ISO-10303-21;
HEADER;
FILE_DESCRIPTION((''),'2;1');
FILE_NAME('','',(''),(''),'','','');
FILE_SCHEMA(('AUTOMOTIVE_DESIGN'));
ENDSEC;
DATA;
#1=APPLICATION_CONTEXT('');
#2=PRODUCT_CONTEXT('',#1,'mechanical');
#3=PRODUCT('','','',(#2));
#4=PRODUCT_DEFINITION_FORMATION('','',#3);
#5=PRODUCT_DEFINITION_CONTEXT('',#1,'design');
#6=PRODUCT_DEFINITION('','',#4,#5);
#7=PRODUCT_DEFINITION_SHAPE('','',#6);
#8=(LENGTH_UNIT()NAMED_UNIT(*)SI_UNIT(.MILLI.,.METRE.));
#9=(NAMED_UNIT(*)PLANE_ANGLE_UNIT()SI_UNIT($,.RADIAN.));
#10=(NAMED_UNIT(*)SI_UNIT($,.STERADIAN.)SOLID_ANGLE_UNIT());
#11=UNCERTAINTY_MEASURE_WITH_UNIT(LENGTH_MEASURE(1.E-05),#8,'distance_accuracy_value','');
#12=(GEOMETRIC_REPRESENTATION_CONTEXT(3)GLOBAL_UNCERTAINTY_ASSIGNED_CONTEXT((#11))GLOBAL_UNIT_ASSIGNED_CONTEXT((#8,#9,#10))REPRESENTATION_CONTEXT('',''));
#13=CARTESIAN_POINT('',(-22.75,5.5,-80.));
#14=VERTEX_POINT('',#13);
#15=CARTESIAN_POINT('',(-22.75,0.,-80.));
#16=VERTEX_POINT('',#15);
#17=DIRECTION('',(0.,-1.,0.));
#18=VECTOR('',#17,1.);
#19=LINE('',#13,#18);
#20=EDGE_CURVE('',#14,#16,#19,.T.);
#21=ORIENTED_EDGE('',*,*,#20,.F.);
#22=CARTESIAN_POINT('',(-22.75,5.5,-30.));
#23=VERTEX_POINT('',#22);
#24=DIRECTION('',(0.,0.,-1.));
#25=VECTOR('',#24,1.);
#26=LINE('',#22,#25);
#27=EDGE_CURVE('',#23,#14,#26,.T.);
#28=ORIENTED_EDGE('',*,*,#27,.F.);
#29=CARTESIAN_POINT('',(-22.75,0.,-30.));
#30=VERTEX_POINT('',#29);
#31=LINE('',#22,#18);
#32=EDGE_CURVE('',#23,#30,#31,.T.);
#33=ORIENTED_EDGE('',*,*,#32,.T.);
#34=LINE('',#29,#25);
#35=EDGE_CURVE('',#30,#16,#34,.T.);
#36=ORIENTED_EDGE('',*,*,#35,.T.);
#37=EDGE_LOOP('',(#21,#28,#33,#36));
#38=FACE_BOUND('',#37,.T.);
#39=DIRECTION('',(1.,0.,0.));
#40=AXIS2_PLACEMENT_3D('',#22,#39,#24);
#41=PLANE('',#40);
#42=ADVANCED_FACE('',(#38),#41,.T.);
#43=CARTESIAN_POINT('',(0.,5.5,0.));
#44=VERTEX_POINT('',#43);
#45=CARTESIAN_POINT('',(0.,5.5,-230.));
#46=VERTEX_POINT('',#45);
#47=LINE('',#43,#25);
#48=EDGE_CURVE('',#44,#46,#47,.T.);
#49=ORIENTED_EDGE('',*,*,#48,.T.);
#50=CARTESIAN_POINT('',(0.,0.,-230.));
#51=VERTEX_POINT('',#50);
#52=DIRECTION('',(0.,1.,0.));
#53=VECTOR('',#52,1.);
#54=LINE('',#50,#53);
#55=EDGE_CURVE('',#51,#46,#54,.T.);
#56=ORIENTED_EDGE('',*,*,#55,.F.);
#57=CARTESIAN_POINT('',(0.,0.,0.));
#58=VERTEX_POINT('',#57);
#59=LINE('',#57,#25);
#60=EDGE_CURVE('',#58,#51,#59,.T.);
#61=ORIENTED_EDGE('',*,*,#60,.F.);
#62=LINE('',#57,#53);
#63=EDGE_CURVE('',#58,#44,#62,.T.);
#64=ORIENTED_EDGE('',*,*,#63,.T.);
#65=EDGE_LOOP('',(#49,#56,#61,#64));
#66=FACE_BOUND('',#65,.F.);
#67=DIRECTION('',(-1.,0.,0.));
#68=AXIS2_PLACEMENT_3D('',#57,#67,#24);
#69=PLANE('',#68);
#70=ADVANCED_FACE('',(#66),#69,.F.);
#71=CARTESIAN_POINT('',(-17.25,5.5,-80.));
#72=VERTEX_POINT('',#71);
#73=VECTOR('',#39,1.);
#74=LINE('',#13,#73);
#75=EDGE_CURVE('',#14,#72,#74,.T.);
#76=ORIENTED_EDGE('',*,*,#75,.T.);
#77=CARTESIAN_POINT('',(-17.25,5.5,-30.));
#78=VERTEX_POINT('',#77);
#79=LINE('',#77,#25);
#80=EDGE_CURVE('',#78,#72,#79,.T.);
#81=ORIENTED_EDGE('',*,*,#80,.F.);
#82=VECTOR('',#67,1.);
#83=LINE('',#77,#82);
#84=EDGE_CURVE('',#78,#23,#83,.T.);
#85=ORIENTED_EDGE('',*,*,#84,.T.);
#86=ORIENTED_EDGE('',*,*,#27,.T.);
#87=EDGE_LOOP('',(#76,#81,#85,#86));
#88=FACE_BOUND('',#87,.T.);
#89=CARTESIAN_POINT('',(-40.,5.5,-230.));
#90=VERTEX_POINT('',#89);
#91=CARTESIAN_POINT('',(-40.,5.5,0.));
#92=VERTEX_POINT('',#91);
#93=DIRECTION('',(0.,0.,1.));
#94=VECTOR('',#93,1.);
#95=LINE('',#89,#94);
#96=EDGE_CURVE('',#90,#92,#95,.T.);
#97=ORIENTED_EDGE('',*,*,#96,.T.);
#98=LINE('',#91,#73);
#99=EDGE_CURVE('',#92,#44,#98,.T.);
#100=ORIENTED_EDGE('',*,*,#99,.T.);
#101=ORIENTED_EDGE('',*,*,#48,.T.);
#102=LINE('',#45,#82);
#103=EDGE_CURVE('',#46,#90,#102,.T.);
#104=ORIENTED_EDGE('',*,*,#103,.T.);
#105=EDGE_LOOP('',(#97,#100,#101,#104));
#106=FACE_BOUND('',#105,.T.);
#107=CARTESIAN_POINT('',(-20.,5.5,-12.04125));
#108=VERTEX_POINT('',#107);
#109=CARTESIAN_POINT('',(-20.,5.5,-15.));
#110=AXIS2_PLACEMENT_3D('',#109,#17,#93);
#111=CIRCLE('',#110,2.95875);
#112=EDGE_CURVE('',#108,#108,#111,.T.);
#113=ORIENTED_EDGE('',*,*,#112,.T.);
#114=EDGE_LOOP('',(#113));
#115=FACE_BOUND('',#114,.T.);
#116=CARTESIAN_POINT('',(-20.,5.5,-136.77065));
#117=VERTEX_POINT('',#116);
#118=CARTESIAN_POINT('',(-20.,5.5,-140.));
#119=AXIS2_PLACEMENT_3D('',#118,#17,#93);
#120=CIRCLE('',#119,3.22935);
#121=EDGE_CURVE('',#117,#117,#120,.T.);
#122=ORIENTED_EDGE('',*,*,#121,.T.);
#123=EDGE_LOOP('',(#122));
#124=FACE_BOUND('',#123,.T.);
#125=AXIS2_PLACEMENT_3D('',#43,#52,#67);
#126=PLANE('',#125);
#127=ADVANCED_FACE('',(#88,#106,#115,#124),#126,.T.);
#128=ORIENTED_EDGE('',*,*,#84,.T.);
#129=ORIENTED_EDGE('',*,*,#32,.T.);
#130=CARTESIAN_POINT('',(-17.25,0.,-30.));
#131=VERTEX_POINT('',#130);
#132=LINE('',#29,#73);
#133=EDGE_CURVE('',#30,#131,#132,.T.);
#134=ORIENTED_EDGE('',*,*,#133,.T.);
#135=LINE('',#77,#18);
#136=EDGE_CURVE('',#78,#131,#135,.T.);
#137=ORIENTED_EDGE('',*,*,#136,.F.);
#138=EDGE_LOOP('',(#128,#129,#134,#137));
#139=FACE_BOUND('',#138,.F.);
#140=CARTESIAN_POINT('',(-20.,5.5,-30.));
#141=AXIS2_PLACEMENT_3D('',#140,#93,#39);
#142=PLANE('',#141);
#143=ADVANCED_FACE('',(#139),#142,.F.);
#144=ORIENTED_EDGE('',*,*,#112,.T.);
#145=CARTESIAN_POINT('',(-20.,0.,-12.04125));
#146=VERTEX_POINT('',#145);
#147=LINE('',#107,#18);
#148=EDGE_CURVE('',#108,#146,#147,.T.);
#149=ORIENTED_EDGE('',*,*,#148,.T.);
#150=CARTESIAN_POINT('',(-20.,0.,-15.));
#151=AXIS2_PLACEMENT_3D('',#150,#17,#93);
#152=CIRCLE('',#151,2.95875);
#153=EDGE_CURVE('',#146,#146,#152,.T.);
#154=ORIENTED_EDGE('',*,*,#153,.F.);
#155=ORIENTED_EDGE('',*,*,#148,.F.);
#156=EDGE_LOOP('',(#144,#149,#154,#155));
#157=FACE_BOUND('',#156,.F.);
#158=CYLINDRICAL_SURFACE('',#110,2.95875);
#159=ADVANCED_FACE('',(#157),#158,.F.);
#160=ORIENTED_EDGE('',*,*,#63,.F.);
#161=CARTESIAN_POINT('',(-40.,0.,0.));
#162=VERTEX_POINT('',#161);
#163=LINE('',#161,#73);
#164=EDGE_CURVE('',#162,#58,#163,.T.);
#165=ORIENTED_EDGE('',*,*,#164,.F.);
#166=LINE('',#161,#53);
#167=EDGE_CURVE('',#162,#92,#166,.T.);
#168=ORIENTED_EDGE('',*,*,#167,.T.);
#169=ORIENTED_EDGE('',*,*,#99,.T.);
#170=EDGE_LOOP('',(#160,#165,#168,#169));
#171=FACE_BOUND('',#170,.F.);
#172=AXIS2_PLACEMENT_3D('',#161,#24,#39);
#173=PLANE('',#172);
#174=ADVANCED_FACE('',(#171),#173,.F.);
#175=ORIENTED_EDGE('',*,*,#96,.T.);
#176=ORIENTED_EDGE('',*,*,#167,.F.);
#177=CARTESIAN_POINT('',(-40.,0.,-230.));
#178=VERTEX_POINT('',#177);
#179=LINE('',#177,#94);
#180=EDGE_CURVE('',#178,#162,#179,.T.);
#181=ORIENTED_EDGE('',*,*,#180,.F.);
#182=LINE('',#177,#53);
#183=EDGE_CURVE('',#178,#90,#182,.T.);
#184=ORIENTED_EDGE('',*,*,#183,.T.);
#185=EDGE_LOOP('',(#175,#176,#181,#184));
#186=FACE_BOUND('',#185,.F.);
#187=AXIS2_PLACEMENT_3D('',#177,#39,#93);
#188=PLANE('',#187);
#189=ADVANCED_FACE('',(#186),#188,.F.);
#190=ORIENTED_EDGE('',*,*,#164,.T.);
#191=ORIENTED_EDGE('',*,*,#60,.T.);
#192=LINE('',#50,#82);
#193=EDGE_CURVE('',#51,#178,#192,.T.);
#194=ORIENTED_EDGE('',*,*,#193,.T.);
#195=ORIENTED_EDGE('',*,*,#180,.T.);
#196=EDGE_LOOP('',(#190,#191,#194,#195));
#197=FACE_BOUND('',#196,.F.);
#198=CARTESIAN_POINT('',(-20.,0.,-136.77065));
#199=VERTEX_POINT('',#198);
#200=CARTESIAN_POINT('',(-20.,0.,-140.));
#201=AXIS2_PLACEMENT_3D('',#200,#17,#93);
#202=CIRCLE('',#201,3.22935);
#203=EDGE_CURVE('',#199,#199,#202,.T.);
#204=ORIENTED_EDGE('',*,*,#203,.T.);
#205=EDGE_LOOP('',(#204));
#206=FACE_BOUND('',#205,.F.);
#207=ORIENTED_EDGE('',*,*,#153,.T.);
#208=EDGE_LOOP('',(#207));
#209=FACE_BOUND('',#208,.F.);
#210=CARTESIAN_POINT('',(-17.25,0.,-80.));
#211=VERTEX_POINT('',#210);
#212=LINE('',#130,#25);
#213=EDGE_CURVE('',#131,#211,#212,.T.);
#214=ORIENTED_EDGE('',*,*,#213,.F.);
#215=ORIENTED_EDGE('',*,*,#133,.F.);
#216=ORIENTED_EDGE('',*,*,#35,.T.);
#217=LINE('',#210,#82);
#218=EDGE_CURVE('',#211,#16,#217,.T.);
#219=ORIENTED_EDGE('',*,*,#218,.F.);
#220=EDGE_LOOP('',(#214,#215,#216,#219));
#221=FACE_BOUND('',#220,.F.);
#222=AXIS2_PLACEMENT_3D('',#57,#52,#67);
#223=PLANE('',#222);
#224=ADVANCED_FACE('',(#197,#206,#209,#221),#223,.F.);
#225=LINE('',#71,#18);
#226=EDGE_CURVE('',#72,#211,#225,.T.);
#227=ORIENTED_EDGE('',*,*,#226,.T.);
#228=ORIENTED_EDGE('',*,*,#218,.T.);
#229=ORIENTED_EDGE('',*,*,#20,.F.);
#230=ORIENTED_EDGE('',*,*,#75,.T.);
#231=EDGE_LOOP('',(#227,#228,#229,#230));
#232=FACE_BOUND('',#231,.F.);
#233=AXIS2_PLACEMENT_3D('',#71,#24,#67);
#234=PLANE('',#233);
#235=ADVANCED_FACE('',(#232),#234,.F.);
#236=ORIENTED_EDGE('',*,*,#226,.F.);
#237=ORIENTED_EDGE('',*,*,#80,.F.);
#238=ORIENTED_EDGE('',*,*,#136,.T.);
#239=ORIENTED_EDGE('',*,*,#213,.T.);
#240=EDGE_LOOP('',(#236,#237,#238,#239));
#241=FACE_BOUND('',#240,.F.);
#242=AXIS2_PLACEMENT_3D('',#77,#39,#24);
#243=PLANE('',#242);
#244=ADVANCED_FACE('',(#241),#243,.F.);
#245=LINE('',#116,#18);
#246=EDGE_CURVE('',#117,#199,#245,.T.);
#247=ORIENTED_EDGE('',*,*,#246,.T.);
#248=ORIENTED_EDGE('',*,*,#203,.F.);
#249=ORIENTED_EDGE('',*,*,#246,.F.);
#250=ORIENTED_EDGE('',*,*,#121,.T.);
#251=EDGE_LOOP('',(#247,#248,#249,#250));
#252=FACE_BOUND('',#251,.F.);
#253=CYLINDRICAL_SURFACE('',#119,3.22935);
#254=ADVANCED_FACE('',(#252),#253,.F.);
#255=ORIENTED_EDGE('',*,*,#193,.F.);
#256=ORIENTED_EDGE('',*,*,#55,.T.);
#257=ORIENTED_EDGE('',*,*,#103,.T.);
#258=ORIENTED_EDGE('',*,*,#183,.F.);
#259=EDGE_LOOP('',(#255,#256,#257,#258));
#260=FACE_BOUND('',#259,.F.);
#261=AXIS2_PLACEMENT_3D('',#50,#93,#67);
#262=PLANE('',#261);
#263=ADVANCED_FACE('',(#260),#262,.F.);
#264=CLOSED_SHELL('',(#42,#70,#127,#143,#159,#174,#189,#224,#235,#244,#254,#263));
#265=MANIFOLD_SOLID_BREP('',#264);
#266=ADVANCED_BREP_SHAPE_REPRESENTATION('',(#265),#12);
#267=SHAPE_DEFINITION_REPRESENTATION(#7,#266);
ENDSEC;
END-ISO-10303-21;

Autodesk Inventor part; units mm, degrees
ref_plane "YZ Plane" through (0, 0, 0) normal (1, 0, 0) x (0, 1, 0)
ref_plane "XZ Plane" through (0, 0, 0) normal (0, 1, 0) x (-1, 0, 0)
ref_plane "XY Plane" through (0, 0, 0) normal (0, 0, 1) x (1, 0, 0)
sketch "Sketch1" plane through (0, 0, 0) normal (0, 1, 0) x (-1, 0, 0)
  line L0 (0, 0) -> (0, -230)
  line L1 (0, -230) -> (40, -230)
  line L2 (40, -230) -> (40, 0)
  line L3 (40, 0) -> (0, 0)
  dimension "d0" = 230
  dimension "d1" = 40
extrude "Extrusion1" add sketch "Sketch1" along normal blind 5.5
sketch "Sketch2" plane through (0, 5.5, 0) normal (0, 1, 0) x (1, 0, 0)
  line L0 (-40, 0) -> (0, 0) construction
  line L1 (-20, 0) -> (-20, 30) construction
  line L2 (-20, 30) -> (-22.75, 30)
  line L3 (-40, 230) -> (-40, 0) construction
  line L4 (-22.75, 30) -> (-22.75, 80)
  line L5 (-22.75, 80) -> (-20, 80)
  line L6 (-20, 30) -> (-17.25, 30)
  line L7 (-17.25, 30) -> (-17.25, 80)
  line L8 (-17.25, 80) -> (-20, 80)
  dimension "d4" = 30
  dimension "d5" = 2.75
  dimension "d6" = 50
extrude "Extrusion2" cut sketch "Sketch2" against normal blind 5.5
sketch "Sketch3" plane through (0, 5.5, 0) normal (0, 1, 0) x (1, 0, 0)
  line L0 (-40, 0) -> (0, 0) construction
  line L1 (-20, 0) -> (-20, 15) construction
  dimension "d9" = 15
hole "Hole1" at (-20, 5.5, -15) direction (0, -1, 0) diameter 5.9175 depth 19.1 tip angle 118 thread size "M7x1" class "6H" standard "ANSI Metric M Profile"
sketch "Sketch4" plane through (0, 5.5, 0) normal (0, 1, 0) x (1, 0, 0)
  line L0 (0, 230) -> (-40, 230) construction
  line L1 (-20, 230) -> (-20, 140) construction
  point P0 (0, 0)
  dimension "d17" = 90
hole "Hole2" at (-20, 5.5, -140) direction (0, -1, 0) diameter 6.4587 depth 19.1 tip angle 118 thread size "M7x0.5" class "6H" standard "ANSI Metric M Profile"
properties part number "LMK"
